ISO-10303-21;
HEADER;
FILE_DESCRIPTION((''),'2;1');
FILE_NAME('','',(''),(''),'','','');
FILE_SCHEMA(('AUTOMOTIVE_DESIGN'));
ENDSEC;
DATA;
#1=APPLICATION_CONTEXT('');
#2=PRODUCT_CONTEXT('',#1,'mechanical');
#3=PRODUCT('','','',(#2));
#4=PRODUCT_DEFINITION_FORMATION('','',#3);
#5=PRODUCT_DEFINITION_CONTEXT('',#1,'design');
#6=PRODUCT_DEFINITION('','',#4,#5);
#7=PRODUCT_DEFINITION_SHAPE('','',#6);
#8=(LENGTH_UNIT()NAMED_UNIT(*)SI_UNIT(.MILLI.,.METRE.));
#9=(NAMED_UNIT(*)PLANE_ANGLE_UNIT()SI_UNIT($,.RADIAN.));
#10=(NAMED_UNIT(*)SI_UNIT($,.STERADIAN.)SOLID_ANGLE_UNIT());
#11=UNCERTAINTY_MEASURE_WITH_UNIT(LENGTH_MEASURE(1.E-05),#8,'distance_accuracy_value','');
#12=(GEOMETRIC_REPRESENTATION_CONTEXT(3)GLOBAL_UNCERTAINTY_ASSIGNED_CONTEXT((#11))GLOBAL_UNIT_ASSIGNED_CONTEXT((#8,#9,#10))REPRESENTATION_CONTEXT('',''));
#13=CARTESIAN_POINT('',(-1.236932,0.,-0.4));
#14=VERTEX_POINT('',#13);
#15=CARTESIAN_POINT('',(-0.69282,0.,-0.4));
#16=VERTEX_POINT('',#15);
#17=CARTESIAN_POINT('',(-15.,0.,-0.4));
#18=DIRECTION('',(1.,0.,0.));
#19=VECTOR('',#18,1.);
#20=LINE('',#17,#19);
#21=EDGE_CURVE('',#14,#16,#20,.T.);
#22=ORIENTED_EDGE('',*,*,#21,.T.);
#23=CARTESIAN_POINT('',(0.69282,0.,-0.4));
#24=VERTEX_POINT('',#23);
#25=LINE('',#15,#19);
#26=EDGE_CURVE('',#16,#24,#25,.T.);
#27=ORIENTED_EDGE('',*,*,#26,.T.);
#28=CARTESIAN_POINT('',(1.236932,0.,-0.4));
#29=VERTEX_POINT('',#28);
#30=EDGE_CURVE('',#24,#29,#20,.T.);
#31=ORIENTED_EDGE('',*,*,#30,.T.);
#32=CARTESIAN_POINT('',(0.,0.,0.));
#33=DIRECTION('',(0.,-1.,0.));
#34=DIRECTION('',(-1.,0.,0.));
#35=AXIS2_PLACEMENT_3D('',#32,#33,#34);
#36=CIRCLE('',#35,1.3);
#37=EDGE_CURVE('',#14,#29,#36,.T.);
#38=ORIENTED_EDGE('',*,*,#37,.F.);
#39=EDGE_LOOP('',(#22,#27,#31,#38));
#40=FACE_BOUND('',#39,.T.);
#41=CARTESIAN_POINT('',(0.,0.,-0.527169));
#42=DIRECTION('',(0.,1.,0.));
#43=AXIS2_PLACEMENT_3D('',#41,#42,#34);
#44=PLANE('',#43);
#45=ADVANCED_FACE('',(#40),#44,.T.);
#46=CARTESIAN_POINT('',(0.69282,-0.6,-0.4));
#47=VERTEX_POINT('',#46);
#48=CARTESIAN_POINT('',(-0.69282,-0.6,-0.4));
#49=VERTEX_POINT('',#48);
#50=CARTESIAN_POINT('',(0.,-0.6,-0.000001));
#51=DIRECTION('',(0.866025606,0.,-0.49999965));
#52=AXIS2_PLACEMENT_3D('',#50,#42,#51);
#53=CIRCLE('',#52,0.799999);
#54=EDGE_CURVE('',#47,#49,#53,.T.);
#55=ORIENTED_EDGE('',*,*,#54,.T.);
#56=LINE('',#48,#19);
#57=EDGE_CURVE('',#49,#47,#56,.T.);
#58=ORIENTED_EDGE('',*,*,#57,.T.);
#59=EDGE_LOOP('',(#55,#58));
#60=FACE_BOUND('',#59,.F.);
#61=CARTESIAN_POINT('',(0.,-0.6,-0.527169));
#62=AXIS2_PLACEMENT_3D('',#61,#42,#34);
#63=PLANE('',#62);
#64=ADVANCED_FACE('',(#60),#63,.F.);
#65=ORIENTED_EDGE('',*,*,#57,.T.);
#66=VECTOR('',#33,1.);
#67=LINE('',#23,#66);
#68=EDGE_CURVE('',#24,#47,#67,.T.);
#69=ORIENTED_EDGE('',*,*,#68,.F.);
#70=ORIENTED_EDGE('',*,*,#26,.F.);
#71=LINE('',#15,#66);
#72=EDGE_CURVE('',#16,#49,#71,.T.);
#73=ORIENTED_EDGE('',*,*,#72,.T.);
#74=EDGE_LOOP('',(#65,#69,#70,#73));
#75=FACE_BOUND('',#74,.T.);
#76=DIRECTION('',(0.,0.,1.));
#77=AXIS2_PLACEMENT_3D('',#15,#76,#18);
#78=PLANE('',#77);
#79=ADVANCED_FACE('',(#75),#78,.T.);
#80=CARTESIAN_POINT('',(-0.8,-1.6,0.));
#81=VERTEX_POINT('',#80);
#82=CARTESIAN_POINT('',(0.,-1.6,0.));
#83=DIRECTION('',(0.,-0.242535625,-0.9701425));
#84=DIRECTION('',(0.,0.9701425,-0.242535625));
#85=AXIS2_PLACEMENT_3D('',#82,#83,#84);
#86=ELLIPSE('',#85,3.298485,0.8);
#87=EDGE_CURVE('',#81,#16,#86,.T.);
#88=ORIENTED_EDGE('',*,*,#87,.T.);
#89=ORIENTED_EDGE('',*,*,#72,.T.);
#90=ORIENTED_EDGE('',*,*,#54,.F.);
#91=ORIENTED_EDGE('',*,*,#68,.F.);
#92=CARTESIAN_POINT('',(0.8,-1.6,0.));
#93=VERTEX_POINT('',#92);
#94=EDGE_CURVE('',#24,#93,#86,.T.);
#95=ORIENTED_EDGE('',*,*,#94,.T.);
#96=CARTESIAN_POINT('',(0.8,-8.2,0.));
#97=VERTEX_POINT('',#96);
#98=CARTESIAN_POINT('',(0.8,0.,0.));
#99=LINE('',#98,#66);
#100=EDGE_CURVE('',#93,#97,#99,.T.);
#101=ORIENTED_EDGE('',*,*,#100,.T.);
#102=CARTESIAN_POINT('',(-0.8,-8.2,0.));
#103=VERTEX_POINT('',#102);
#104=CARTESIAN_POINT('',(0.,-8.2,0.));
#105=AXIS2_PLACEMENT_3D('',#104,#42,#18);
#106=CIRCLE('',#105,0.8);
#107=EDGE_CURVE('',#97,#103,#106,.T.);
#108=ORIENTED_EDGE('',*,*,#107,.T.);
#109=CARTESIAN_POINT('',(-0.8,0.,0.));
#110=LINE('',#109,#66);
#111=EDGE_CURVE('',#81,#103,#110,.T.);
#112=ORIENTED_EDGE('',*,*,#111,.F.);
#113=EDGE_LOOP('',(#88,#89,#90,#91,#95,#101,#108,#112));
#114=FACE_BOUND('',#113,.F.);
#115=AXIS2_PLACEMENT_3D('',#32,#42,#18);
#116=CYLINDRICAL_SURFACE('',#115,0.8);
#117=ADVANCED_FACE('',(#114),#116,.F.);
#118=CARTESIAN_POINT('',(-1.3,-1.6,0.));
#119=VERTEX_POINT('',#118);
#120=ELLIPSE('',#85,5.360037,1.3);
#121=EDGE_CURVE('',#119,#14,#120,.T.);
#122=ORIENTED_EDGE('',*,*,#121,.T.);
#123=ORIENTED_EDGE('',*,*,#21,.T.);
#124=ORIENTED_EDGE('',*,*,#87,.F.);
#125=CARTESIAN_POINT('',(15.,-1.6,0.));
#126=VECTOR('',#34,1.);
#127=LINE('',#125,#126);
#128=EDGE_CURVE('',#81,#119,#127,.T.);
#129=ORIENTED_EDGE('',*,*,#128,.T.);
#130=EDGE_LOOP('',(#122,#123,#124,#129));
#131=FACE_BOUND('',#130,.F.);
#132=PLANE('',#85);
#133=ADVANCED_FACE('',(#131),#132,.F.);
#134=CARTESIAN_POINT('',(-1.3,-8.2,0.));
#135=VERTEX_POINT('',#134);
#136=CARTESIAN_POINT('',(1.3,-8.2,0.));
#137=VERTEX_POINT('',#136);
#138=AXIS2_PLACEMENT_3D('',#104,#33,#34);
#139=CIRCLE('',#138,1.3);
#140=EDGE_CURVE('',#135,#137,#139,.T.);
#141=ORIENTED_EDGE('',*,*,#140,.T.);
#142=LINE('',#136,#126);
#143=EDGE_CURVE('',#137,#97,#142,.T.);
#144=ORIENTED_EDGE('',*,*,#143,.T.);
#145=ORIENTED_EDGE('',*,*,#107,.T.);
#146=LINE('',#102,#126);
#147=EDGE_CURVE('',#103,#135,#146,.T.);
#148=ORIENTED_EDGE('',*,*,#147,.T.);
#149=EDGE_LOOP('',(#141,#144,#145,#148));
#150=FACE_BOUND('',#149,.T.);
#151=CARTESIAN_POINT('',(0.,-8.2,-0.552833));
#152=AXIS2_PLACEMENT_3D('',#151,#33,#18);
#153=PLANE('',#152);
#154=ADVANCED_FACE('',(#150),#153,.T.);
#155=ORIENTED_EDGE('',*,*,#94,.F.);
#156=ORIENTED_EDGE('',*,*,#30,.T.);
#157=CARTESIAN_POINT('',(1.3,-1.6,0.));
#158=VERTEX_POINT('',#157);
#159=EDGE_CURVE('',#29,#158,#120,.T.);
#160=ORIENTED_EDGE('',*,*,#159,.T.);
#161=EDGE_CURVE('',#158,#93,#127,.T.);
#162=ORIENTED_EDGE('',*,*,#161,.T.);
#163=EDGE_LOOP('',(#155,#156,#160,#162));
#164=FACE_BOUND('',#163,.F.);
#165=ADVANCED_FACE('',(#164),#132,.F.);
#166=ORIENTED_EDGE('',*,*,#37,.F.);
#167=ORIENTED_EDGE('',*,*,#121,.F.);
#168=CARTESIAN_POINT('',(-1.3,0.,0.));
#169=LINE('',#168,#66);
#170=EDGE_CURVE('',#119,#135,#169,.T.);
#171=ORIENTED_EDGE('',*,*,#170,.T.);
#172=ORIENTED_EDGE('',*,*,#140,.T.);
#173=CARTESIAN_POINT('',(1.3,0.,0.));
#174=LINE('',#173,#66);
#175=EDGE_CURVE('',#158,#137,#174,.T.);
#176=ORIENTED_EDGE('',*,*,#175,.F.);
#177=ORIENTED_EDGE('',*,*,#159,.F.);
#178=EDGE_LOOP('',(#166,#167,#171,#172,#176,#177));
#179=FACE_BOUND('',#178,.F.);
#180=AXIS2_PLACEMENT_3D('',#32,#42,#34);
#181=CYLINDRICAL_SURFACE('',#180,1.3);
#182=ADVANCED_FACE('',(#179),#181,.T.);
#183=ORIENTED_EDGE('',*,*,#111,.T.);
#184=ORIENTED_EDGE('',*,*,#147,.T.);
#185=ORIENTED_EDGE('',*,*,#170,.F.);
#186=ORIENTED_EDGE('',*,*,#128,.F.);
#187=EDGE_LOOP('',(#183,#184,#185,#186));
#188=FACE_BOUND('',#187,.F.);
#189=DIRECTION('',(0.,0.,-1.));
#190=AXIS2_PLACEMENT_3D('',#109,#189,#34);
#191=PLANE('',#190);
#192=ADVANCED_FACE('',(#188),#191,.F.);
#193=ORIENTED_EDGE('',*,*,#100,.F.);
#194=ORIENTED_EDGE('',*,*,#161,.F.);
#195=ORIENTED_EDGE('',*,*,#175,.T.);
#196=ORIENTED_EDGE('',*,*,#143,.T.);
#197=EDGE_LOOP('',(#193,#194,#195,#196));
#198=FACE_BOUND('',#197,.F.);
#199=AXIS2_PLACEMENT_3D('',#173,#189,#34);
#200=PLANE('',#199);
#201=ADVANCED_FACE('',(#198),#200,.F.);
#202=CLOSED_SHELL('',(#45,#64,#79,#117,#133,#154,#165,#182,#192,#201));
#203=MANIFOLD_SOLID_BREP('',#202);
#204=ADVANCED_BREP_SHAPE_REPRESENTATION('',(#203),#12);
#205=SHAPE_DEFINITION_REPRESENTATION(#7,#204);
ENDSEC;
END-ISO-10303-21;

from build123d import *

# Parameters (mm, degrees)
F1_DEPTH = 8.2
F3_DEPTH = 15
F5_DEPTH = 0.6


with BuildPart() as f1:
    # F0 (on Front) → F1 (new body)
    with BuildSketch(Plane.XZ):
        with BuildLine():
            Line((1.3, 0), (0.8, 0))
            ThreePointArc((0.8, 0), (0, -0.8), (-0.8, 0))
            Line((-0.8, 0), (-1.3, 0))
            ThreePointArc((-1.3, 0), (0, -1.3), (1.3, 0))
        make_face()
    extrude(amount=F1_DEPTH)

    # F2 (on Right) → F3 (cut, symmetric)
    with BuildSketch(Plane.YZ):
        Polygon((-1.6, 0), (0, -0.4), (0, 0), align=None)
    extrude(amount=F3_DEPTH, both=True, mode=Mode.SUBTRACT)

    # F4 (on face) → F5 (join)
    with BuildSketch(Plane(origin=(0, 0, 0), x_dir=(-1, 0, 0), z_dir=(0, 1, 0))):
        with BuildLine():
            Line((0.69282, -0.4), (-0.69282, -0.4))
            ThreePointArc((-0.69282, -0.4), (0, -0.8), (0.69282, -0.4))
        make_face()
    extrude(amount=-F5_DEPTH)


solid = f1.part
